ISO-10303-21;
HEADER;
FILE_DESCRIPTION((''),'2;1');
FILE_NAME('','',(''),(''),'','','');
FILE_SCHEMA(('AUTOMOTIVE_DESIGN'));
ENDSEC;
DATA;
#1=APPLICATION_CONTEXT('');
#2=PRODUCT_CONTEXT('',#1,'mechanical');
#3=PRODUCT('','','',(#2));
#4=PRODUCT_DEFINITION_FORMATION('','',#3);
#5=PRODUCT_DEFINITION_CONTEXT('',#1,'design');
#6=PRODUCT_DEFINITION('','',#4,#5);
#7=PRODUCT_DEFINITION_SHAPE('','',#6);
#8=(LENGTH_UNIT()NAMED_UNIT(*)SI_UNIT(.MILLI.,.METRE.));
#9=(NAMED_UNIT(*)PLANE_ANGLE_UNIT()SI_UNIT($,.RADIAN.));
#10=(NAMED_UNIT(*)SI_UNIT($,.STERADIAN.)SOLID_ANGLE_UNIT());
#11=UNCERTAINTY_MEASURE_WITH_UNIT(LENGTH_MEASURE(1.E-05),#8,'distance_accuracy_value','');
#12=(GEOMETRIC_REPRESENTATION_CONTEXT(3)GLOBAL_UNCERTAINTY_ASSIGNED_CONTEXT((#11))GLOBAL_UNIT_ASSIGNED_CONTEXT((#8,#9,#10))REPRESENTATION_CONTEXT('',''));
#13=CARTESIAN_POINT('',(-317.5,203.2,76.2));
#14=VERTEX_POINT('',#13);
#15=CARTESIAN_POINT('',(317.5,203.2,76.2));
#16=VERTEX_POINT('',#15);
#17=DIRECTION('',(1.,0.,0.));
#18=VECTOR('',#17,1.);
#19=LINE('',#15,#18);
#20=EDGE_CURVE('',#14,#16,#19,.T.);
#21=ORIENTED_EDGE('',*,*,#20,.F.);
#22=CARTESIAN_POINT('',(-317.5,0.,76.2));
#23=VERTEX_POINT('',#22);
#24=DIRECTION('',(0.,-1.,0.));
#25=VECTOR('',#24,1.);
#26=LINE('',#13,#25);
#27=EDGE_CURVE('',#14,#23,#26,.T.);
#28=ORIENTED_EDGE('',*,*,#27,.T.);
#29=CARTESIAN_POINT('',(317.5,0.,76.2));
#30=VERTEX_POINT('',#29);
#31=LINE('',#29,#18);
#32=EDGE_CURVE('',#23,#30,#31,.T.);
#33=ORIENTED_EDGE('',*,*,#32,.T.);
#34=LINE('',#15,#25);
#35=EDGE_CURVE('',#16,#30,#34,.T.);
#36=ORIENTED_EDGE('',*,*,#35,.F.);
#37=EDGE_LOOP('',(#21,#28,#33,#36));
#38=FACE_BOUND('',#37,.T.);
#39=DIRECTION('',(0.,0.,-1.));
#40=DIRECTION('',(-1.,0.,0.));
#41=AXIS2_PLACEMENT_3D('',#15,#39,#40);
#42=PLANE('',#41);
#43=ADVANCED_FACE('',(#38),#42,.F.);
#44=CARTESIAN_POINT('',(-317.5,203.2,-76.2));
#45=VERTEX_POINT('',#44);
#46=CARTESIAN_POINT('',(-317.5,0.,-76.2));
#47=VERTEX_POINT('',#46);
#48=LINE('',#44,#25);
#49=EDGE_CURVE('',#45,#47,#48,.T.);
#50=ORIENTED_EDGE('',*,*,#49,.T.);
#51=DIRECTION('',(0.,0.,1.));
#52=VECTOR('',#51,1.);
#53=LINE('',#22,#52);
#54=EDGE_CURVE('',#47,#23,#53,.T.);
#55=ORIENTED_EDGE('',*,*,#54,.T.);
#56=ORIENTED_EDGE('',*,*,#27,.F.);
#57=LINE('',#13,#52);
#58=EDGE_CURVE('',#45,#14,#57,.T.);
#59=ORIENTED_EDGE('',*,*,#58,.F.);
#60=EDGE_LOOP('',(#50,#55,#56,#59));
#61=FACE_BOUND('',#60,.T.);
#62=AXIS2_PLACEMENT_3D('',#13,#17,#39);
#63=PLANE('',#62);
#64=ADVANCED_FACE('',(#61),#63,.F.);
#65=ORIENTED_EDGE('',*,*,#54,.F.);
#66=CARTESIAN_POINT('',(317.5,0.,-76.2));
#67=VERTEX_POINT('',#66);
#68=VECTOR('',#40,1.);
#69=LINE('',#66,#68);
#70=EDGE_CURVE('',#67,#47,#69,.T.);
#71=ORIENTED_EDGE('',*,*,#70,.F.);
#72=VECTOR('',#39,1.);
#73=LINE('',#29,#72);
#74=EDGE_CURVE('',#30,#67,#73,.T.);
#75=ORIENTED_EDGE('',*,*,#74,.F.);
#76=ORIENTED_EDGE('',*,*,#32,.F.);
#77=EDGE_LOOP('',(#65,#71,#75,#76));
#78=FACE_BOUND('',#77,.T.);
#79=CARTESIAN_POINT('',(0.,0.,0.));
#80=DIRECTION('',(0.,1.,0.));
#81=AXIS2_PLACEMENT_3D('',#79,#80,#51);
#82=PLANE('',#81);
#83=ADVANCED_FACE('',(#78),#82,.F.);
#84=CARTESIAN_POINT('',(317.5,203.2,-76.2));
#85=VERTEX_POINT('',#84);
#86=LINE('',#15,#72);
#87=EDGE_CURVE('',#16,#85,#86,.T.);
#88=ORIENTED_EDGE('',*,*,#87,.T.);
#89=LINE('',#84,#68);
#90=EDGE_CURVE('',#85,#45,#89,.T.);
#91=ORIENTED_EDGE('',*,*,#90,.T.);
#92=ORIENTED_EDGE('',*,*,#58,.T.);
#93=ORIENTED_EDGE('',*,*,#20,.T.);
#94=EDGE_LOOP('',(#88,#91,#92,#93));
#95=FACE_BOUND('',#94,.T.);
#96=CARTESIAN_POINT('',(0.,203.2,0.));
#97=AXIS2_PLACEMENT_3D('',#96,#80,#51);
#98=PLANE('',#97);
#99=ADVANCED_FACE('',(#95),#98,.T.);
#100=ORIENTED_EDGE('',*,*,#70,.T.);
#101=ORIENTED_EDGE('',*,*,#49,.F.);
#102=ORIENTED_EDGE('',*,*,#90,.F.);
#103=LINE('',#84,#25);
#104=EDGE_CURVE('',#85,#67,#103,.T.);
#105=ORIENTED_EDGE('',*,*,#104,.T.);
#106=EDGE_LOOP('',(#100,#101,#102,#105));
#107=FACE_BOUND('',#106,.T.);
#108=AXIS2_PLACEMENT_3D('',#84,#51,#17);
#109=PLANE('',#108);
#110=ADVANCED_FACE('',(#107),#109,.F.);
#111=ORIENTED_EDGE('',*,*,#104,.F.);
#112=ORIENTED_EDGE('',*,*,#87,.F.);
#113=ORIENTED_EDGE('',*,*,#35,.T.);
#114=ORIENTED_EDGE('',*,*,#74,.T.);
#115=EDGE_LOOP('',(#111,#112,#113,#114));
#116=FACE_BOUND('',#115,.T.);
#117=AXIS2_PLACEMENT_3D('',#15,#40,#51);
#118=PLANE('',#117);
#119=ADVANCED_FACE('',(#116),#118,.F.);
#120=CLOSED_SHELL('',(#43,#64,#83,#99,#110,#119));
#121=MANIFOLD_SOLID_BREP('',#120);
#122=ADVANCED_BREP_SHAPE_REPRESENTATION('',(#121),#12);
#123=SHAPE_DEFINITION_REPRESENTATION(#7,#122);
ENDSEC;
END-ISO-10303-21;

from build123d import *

# Parameters (mm, degrees)
SKETCH1_W           = 635
SKETCH1_H           = 152.4
BOSS_EXTRUDE1_DEPTH = 203.2


with BuildPart() as part:
    # Sketch1 → Boss-Extrude1 (new body)
    with BuildSketch(Plane(origin=(0, 0, 0), x_dir=(1, 0, 0), z_dir=(0, 1, 0))):
        Rectangle(SKETCH1_W, SKETCH1_H)
    extrude(amount=BOSS_EXTRUDE1_DEPTH)


solid = part.part
